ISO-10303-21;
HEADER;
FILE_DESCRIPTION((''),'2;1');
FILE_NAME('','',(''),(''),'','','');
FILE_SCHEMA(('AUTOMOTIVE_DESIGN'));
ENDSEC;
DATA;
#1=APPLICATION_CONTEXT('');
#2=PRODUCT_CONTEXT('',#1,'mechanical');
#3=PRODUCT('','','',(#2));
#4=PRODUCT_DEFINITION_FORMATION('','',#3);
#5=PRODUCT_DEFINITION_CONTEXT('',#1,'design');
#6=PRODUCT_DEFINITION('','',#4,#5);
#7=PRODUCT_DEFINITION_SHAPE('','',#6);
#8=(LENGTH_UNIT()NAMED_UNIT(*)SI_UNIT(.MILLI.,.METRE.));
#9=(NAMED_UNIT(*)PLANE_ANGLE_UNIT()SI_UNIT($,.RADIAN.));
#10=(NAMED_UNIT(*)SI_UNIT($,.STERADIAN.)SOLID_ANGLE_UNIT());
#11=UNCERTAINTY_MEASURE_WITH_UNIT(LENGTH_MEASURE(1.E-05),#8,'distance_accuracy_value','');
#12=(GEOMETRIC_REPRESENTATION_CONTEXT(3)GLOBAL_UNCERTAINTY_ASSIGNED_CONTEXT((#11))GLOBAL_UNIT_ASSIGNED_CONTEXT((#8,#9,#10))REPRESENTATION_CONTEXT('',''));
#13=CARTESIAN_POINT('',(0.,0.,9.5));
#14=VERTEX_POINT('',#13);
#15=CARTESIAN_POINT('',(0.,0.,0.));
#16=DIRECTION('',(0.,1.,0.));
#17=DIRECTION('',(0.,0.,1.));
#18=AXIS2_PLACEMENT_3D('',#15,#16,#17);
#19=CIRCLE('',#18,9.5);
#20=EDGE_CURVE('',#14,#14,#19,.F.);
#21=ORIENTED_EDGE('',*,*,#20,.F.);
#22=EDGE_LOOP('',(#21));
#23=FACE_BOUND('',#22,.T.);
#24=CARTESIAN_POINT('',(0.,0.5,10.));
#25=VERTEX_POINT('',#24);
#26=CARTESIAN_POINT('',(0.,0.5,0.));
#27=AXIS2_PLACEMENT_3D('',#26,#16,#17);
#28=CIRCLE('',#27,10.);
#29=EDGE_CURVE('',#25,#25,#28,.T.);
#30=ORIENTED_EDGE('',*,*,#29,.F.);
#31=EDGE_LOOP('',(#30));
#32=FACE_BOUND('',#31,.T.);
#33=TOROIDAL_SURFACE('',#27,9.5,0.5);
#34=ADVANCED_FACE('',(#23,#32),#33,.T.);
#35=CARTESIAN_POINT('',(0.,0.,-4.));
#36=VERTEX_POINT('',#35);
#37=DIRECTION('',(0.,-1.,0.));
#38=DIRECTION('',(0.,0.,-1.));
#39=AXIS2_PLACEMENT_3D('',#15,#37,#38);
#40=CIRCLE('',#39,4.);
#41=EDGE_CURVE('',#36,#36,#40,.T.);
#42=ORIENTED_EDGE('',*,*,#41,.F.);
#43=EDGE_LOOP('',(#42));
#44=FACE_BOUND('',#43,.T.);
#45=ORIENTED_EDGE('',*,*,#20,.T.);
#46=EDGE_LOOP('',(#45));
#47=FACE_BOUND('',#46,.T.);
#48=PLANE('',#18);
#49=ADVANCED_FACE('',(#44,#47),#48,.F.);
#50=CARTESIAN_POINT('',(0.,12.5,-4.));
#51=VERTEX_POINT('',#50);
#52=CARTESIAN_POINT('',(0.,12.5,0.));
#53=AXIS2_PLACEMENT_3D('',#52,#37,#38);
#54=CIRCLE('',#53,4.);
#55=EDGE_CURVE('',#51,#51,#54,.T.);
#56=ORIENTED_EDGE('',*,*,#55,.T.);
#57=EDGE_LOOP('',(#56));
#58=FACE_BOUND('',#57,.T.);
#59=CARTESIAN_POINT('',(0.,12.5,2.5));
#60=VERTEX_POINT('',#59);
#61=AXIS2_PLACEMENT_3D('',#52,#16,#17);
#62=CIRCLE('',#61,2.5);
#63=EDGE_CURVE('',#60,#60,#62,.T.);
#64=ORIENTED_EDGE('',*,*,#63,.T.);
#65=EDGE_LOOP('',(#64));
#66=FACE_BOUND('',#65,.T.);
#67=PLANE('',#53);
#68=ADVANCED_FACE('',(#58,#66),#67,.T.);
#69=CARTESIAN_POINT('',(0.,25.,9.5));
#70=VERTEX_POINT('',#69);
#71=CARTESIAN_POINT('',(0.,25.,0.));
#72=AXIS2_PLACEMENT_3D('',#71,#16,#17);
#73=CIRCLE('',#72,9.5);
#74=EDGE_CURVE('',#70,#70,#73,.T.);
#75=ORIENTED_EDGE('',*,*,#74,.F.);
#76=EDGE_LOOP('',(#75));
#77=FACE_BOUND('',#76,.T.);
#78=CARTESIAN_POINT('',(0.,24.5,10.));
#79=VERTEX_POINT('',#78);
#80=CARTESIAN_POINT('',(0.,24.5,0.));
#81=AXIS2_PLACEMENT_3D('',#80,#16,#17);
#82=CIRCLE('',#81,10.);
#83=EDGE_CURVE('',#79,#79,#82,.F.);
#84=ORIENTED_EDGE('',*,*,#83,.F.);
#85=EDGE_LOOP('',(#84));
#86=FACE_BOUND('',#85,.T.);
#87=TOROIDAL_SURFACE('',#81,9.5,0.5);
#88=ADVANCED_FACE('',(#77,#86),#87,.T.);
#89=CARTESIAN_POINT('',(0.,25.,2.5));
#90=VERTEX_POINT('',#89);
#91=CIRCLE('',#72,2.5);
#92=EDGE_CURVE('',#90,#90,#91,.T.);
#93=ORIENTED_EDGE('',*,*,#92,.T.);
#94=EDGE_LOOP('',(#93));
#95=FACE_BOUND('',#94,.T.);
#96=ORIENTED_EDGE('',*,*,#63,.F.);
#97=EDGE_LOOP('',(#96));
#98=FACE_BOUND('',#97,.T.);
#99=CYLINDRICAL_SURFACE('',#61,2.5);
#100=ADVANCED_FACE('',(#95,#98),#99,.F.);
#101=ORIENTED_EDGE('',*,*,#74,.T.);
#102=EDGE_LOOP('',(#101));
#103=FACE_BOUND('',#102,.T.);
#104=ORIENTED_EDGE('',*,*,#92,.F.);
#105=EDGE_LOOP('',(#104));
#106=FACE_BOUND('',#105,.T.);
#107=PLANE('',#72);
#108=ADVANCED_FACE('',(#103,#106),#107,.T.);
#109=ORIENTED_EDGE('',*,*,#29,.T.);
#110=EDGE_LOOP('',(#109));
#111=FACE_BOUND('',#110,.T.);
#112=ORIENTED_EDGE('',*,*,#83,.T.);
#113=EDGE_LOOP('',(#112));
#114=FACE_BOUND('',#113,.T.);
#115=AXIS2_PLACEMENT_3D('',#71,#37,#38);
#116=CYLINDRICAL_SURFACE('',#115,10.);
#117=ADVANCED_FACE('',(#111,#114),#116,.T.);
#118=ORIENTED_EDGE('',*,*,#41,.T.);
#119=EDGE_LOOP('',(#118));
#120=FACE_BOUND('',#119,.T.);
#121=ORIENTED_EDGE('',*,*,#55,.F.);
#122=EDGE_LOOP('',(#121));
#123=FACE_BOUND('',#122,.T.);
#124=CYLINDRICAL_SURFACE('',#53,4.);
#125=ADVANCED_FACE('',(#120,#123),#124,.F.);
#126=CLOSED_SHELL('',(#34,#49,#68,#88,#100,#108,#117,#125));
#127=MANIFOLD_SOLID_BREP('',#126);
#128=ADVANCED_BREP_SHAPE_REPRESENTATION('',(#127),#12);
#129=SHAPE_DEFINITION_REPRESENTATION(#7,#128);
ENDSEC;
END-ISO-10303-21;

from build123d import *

# Parameters (mm, degrees)
SKETCH1_R           = 10
BOSS_EXTRUDE1_DEPTH = 25
FILLET2_R           = 0.5
FILLET3_R           = 0.5
SKETCH2_R           = 4
CUT_EXTRUDE1_DEPTH  = 12.5
SKETCH3_R           = 2.5
CUT_EXTRUDE2_DEPTH  = 12.5


with BuildPart() as part:
    # Sketch1 → Boss-Extrude1 (new body)
    with BuildSketch(Plane(origin=(0, 0, 0), x_dir=(1, 0, 0), z_dir=(0, 1, 0))):
        with Locations(Location((0, 0, 0), (0, 0, 270))):
            Circle(SKETCH1_R)
    extrude(amount=BOSS_EXTRUDE1_DEPTH)

    # Fillet2
    fillet2_edges = [part.edges().sort_by_distance(p)[0] for p in [
        (0, 25, -10),
    ]]
    fillet(fillet2_edges, radius=FILLET2_R)

    # Fillet3
    fillet3_edges = [part.edges().sort_by_distance(p)[0] for p in [
        (0, 0, -10),
    ]]
    fillet(fillet3_edges, radius=FILLET3_R)

    # Sketch2 → Cut-Extrude1 (cut)
    with BuildSketch(Plane.XZ):
        with Locations(Location((0, 0, 0), (0, 0, 270))):
            Circle(SKETCH2_R)
    extrude(amount=-CUT_EXTRUDE1_DEPTH, mode=Mode.SUBTRACT)

    # Sketch3 → Cut-Extrude2 (cut)
    with BuildSketch(Plane(origin=(0, 25, 0), x_dir=(1, 0, 0), z_dir=(0, 1, 0))):
        with Locations(Location((0, 0, 0), (0, 0, 270))):
            Circle(SKETCH3_R)
    extrude(amount=-CUT_EXTRUDE2_DEPTH, mode=Mode.SUBTRACT)


solid = part.part
